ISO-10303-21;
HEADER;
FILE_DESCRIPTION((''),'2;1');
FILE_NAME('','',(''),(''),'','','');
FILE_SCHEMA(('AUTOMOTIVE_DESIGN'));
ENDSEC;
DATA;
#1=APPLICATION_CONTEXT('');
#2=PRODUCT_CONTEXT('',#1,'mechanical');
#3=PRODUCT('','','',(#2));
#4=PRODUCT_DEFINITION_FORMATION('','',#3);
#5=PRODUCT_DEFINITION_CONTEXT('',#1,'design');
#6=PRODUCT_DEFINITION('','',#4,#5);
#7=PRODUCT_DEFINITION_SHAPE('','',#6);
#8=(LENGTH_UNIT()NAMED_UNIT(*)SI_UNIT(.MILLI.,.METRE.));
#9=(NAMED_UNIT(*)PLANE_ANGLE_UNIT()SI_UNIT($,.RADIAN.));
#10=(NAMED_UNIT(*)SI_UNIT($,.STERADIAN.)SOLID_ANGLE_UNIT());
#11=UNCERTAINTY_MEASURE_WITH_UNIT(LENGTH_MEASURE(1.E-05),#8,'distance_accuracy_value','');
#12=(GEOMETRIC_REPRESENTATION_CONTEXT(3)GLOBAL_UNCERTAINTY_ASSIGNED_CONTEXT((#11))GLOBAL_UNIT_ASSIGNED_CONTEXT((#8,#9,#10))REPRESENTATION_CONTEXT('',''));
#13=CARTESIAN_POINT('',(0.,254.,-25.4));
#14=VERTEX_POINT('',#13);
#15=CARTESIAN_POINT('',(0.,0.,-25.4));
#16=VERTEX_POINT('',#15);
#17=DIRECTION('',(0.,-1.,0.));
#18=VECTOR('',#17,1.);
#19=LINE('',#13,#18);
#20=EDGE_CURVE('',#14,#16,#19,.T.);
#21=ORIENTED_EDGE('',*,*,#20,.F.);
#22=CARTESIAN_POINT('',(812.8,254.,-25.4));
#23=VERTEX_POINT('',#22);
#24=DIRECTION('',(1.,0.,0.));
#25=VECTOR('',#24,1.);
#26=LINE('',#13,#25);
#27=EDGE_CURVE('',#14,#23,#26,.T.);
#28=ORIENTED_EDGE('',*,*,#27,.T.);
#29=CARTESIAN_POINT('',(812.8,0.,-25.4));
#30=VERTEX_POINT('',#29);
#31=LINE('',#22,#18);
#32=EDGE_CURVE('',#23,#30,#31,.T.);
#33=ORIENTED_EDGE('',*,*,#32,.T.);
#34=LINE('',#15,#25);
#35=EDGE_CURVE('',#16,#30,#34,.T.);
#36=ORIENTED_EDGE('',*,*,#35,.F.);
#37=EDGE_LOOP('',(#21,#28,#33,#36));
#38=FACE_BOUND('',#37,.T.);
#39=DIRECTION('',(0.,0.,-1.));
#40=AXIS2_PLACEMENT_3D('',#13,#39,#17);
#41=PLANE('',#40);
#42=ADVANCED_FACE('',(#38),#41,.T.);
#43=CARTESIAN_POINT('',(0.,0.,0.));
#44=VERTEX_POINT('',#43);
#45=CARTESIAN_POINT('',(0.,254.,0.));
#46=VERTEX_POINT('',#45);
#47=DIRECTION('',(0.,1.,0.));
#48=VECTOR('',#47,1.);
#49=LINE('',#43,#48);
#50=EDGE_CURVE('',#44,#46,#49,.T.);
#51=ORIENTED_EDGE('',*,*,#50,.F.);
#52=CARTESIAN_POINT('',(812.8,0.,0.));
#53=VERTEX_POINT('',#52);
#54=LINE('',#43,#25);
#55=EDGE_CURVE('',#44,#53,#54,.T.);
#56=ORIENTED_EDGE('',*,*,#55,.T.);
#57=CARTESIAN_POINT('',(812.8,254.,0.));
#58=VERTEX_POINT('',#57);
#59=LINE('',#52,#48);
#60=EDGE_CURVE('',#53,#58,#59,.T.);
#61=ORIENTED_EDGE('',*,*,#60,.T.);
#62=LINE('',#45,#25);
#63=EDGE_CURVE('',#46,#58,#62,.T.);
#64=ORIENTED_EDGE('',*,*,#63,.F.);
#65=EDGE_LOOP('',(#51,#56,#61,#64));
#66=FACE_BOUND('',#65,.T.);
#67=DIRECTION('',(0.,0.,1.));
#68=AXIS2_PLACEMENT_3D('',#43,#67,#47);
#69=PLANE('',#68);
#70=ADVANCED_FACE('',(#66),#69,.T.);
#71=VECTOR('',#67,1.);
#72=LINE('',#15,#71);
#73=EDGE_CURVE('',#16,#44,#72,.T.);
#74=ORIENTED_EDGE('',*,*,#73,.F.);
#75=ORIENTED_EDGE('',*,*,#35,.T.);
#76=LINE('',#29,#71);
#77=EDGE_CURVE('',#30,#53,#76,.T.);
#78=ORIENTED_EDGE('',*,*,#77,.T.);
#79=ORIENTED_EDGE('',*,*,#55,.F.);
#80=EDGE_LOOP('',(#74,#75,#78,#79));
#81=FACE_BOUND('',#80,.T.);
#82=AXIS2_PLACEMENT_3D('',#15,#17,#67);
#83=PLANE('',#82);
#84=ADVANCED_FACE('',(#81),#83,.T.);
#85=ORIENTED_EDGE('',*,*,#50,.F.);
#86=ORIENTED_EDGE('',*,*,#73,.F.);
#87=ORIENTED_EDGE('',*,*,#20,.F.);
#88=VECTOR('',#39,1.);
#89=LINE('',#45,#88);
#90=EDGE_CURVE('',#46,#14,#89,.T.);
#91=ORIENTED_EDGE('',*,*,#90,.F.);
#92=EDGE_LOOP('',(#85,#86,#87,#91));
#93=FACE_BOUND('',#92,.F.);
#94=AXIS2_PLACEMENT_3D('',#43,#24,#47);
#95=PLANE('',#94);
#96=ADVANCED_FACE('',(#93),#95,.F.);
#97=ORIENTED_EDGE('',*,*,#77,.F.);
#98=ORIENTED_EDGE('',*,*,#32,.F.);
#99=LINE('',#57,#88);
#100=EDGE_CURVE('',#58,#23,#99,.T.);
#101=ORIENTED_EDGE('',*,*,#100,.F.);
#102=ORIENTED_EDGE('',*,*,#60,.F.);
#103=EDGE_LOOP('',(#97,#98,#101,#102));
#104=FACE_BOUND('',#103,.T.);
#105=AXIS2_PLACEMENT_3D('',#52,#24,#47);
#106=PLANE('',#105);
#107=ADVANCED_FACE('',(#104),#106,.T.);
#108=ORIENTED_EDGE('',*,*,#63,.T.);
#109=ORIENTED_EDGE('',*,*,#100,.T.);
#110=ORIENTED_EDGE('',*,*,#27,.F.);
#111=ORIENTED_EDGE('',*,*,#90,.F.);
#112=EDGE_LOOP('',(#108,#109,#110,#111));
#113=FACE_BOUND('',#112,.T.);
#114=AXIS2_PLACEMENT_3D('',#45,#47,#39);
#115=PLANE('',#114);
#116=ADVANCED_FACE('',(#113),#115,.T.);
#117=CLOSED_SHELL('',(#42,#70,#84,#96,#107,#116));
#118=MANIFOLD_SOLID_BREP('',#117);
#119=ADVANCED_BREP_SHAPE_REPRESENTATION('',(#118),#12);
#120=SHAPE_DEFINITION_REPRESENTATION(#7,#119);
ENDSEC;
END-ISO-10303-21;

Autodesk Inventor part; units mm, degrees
ref_plane "YZ Plane" through (0, 0, 0) normal (1, 0, 0) x (0, 1, 0)
ref_plane "XZ Plane" through (0, 0, 0) normal (0, 1, 0) x (-1, 0, 0)
ref_plane "XY Plane" through (0, 0, 0) normal (0, 0, 1) x (1, 0, 0)
sketch "Sketch1" plane through (0, 0, 0) normal (1, 0, 0) x (0, 1, 0)
  line L0 (0, 0) -> (254, 0)
  line L1 (254, 0) -> (254, -25.4)
  line L2 (254, -25.4) -> (0, -25.4)
  line L3 (0, -25.4) -> (0, 0)
  dimension "d0" = 254
  dimension "d1" = 25.4
extrude "Extrusion1" add sketch "Sketch1" along normal blind 812.8
properties part number "s1-oversize" material "Granite, Cut, Polished"
